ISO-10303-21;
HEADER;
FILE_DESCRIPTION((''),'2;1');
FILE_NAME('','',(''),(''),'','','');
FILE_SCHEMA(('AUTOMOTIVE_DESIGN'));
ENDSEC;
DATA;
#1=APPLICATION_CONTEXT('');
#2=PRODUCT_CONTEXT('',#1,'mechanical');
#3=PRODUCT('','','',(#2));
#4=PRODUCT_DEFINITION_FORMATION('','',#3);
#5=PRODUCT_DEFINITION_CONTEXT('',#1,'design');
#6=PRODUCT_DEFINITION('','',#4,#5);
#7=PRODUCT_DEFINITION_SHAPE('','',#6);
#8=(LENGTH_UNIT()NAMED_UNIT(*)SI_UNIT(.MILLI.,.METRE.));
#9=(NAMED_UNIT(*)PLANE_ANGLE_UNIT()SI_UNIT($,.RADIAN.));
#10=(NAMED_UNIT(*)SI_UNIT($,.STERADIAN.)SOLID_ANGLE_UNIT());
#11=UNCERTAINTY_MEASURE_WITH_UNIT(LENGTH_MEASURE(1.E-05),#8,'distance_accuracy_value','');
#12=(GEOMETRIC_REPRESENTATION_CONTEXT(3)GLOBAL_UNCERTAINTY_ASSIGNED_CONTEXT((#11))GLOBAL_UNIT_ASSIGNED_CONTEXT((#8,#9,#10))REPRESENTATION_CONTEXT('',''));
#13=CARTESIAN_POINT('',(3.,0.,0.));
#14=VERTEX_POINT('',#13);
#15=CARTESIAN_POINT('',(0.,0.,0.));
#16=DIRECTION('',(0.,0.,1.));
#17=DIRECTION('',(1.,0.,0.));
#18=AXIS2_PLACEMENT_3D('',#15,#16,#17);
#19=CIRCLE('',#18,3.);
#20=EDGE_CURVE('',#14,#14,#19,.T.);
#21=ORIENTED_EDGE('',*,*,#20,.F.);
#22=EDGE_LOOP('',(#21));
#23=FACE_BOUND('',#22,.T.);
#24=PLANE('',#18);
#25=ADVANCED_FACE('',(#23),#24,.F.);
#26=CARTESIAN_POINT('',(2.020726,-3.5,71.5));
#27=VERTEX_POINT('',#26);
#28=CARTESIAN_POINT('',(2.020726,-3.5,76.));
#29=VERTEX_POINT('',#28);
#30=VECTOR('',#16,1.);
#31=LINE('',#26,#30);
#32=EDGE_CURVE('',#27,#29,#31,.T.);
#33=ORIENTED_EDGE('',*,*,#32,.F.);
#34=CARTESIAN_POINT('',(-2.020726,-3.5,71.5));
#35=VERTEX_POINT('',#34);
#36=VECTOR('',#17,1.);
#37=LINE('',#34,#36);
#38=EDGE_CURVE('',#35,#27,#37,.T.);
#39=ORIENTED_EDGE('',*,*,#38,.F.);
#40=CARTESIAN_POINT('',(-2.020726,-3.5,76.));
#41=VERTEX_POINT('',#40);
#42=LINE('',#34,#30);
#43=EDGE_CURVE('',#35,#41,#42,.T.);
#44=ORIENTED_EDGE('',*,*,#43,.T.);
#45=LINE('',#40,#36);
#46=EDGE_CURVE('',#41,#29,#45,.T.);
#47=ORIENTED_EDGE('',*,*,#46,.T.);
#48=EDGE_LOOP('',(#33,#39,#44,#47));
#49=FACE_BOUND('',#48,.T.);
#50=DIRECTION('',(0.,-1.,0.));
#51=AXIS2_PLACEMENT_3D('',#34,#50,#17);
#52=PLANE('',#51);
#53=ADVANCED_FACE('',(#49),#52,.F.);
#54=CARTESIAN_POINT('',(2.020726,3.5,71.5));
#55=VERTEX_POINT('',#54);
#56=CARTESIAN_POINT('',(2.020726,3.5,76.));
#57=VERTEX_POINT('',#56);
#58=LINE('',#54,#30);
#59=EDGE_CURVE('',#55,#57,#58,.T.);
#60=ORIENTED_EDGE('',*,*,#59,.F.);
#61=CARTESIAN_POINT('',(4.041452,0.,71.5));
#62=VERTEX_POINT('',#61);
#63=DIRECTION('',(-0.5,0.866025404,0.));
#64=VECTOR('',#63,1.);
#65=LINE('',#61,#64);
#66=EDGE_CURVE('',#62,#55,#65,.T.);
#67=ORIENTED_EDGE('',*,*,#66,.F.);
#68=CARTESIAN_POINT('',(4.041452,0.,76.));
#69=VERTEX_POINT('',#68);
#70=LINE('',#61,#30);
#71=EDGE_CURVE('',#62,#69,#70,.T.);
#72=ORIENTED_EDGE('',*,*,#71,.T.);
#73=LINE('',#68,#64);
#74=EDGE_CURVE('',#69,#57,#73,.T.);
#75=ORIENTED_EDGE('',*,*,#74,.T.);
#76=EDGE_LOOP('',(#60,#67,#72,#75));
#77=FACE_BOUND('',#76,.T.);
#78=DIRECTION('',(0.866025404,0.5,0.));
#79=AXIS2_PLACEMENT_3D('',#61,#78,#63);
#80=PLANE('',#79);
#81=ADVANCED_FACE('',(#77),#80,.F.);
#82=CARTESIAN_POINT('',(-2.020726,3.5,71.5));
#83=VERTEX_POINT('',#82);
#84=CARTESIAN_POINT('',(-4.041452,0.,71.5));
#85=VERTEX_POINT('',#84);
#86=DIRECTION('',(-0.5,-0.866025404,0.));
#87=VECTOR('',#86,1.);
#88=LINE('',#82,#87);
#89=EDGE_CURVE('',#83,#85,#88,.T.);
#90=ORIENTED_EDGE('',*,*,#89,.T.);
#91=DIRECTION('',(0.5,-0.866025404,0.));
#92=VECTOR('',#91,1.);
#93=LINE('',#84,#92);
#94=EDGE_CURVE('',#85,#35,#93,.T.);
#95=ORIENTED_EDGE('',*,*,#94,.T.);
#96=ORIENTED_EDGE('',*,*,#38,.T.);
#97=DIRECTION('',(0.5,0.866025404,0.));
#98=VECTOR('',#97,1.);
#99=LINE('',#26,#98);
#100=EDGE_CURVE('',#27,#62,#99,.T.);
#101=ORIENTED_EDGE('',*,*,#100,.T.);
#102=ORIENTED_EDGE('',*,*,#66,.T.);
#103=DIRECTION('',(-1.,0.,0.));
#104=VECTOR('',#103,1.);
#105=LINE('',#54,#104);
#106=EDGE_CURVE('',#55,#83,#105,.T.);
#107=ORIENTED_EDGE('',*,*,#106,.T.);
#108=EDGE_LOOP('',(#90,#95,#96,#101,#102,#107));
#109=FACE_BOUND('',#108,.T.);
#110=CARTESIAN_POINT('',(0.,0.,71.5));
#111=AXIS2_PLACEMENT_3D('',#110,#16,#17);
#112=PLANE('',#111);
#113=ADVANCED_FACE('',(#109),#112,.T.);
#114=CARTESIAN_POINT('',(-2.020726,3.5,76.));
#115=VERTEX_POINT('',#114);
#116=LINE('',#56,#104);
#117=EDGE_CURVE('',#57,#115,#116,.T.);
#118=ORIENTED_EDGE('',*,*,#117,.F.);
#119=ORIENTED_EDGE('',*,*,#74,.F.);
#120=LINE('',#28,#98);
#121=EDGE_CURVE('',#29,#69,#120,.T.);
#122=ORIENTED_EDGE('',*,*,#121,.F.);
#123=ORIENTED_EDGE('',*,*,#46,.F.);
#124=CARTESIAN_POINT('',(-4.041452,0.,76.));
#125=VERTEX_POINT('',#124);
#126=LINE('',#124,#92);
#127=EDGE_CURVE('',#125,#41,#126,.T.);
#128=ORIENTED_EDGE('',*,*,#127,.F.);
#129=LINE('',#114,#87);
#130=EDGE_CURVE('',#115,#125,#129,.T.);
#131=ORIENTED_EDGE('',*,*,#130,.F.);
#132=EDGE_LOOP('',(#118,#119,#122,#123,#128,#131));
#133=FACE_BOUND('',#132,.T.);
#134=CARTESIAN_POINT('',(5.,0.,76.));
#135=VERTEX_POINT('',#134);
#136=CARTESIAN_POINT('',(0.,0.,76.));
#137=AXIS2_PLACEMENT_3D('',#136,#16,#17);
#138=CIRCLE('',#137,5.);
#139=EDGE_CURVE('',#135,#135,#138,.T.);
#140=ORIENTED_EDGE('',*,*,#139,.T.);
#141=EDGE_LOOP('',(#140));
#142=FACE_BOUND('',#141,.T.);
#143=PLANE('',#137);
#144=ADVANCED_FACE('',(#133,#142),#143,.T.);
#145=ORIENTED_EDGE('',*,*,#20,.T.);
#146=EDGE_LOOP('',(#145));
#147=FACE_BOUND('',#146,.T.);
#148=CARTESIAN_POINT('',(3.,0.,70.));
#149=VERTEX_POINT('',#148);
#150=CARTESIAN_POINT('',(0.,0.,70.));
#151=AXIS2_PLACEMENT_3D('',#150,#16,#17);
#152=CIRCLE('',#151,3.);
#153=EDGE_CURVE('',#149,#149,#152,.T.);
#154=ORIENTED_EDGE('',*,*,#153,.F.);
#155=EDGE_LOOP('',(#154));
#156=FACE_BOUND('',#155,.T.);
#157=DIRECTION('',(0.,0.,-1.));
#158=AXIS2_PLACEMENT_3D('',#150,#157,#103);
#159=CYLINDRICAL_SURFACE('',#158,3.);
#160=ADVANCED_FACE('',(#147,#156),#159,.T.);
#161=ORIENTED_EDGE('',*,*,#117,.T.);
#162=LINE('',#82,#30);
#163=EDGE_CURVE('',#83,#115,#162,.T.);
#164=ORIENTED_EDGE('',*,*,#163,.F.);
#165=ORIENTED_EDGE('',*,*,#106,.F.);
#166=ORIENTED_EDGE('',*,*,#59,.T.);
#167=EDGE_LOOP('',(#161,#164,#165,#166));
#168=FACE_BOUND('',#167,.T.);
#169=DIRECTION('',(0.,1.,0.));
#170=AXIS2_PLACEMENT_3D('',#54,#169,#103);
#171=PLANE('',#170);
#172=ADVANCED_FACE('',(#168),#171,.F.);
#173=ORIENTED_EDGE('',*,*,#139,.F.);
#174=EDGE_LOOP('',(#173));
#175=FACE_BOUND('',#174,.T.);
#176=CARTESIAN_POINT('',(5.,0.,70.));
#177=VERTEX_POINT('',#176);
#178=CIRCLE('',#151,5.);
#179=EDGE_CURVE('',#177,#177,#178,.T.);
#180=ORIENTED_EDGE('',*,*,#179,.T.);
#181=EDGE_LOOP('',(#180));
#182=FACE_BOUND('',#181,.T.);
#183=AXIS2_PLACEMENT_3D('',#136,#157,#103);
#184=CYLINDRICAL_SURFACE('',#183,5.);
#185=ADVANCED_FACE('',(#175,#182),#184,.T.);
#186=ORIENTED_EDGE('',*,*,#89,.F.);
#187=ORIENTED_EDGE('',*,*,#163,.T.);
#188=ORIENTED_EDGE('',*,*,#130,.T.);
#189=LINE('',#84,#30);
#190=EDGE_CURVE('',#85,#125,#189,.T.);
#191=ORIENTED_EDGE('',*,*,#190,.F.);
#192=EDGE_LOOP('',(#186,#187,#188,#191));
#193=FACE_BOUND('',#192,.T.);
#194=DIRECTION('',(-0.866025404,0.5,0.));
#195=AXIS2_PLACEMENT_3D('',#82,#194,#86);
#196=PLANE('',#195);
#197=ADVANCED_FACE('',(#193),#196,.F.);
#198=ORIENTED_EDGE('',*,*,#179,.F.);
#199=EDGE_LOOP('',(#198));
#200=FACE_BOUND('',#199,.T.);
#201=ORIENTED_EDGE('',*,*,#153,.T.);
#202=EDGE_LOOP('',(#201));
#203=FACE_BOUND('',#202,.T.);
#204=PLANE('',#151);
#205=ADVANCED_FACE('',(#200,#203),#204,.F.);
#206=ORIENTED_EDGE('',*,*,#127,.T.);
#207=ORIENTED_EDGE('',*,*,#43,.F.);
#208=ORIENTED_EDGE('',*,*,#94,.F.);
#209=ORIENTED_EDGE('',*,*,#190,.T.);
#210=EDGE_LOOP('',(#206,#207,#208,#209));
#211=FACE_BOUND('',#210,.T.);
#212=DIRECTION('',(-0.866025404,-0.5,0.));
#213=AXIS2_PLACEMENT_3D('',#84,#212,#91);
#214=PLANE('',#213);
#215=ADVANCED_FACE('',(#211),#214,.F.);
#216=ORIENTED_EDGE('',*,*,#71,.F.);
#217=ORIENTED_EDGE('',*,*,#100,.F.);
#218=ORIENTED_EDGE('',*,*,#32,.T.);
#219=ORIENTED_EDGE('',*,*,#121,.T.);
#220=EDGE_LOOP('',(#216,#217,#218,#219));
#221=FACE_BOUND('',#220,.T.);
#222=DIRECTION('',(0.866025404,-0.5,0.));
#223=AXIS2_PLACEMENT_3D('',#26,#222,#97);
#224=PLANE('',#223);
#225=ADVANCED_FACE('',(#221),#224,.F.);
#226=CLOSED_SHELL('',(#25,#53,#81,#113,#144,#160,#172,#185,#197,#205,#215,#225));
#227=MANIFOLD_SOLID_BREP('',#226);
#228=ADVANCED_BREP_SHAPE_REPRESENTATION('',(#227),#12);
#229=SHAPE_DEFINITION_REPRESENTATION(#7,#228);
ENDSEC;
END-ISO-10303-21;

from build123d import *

# Parameters (mm, degrees)
ESQUISSE1_R             = 3
BOSS_EXTRU_1_DEPTH      = 70
ESQUISSE2_R             = 5
BOSS_EXTRU_2_DEPTH      = 6
ENL_V_MAT_EXTRU_1_DEPTH = 4.5


with BuildPart() as part:
    # Esquisse1 → Boss.-Extru.1 (new body)
    with BuildSketch(Plane.XY):
        Circle(ESQUISSE1_R)
    extrude(amount=BOSS_EXTRU_1_DEPTH)

    # Esquisse2 → Boss.-Extru.2 (add)
    with BuildSketch(Plane.XY.offset(70)):
        Circle(ESQUISSE2_R)
    extrude(amount=BOSS_EXTRU_2_DEPTH)

    # Esquisse3 → Enlèv. mat.-Extru.1 (cut)
    with BuildSketch(Plane.XY.offset(76)):
        Polygon((4.041451884, 0), (2.020725942, 3.5), (-2.020725942, 3.5), (-4.041451884, 0), (-2.020725942, -3.5), (2.020725942, -3.5), align=None)
    extrude(amount=-ENL_V_MAT_EXTRU_1_DEPTH, mode=Mode.SUBTRACT)


solid = part.part
